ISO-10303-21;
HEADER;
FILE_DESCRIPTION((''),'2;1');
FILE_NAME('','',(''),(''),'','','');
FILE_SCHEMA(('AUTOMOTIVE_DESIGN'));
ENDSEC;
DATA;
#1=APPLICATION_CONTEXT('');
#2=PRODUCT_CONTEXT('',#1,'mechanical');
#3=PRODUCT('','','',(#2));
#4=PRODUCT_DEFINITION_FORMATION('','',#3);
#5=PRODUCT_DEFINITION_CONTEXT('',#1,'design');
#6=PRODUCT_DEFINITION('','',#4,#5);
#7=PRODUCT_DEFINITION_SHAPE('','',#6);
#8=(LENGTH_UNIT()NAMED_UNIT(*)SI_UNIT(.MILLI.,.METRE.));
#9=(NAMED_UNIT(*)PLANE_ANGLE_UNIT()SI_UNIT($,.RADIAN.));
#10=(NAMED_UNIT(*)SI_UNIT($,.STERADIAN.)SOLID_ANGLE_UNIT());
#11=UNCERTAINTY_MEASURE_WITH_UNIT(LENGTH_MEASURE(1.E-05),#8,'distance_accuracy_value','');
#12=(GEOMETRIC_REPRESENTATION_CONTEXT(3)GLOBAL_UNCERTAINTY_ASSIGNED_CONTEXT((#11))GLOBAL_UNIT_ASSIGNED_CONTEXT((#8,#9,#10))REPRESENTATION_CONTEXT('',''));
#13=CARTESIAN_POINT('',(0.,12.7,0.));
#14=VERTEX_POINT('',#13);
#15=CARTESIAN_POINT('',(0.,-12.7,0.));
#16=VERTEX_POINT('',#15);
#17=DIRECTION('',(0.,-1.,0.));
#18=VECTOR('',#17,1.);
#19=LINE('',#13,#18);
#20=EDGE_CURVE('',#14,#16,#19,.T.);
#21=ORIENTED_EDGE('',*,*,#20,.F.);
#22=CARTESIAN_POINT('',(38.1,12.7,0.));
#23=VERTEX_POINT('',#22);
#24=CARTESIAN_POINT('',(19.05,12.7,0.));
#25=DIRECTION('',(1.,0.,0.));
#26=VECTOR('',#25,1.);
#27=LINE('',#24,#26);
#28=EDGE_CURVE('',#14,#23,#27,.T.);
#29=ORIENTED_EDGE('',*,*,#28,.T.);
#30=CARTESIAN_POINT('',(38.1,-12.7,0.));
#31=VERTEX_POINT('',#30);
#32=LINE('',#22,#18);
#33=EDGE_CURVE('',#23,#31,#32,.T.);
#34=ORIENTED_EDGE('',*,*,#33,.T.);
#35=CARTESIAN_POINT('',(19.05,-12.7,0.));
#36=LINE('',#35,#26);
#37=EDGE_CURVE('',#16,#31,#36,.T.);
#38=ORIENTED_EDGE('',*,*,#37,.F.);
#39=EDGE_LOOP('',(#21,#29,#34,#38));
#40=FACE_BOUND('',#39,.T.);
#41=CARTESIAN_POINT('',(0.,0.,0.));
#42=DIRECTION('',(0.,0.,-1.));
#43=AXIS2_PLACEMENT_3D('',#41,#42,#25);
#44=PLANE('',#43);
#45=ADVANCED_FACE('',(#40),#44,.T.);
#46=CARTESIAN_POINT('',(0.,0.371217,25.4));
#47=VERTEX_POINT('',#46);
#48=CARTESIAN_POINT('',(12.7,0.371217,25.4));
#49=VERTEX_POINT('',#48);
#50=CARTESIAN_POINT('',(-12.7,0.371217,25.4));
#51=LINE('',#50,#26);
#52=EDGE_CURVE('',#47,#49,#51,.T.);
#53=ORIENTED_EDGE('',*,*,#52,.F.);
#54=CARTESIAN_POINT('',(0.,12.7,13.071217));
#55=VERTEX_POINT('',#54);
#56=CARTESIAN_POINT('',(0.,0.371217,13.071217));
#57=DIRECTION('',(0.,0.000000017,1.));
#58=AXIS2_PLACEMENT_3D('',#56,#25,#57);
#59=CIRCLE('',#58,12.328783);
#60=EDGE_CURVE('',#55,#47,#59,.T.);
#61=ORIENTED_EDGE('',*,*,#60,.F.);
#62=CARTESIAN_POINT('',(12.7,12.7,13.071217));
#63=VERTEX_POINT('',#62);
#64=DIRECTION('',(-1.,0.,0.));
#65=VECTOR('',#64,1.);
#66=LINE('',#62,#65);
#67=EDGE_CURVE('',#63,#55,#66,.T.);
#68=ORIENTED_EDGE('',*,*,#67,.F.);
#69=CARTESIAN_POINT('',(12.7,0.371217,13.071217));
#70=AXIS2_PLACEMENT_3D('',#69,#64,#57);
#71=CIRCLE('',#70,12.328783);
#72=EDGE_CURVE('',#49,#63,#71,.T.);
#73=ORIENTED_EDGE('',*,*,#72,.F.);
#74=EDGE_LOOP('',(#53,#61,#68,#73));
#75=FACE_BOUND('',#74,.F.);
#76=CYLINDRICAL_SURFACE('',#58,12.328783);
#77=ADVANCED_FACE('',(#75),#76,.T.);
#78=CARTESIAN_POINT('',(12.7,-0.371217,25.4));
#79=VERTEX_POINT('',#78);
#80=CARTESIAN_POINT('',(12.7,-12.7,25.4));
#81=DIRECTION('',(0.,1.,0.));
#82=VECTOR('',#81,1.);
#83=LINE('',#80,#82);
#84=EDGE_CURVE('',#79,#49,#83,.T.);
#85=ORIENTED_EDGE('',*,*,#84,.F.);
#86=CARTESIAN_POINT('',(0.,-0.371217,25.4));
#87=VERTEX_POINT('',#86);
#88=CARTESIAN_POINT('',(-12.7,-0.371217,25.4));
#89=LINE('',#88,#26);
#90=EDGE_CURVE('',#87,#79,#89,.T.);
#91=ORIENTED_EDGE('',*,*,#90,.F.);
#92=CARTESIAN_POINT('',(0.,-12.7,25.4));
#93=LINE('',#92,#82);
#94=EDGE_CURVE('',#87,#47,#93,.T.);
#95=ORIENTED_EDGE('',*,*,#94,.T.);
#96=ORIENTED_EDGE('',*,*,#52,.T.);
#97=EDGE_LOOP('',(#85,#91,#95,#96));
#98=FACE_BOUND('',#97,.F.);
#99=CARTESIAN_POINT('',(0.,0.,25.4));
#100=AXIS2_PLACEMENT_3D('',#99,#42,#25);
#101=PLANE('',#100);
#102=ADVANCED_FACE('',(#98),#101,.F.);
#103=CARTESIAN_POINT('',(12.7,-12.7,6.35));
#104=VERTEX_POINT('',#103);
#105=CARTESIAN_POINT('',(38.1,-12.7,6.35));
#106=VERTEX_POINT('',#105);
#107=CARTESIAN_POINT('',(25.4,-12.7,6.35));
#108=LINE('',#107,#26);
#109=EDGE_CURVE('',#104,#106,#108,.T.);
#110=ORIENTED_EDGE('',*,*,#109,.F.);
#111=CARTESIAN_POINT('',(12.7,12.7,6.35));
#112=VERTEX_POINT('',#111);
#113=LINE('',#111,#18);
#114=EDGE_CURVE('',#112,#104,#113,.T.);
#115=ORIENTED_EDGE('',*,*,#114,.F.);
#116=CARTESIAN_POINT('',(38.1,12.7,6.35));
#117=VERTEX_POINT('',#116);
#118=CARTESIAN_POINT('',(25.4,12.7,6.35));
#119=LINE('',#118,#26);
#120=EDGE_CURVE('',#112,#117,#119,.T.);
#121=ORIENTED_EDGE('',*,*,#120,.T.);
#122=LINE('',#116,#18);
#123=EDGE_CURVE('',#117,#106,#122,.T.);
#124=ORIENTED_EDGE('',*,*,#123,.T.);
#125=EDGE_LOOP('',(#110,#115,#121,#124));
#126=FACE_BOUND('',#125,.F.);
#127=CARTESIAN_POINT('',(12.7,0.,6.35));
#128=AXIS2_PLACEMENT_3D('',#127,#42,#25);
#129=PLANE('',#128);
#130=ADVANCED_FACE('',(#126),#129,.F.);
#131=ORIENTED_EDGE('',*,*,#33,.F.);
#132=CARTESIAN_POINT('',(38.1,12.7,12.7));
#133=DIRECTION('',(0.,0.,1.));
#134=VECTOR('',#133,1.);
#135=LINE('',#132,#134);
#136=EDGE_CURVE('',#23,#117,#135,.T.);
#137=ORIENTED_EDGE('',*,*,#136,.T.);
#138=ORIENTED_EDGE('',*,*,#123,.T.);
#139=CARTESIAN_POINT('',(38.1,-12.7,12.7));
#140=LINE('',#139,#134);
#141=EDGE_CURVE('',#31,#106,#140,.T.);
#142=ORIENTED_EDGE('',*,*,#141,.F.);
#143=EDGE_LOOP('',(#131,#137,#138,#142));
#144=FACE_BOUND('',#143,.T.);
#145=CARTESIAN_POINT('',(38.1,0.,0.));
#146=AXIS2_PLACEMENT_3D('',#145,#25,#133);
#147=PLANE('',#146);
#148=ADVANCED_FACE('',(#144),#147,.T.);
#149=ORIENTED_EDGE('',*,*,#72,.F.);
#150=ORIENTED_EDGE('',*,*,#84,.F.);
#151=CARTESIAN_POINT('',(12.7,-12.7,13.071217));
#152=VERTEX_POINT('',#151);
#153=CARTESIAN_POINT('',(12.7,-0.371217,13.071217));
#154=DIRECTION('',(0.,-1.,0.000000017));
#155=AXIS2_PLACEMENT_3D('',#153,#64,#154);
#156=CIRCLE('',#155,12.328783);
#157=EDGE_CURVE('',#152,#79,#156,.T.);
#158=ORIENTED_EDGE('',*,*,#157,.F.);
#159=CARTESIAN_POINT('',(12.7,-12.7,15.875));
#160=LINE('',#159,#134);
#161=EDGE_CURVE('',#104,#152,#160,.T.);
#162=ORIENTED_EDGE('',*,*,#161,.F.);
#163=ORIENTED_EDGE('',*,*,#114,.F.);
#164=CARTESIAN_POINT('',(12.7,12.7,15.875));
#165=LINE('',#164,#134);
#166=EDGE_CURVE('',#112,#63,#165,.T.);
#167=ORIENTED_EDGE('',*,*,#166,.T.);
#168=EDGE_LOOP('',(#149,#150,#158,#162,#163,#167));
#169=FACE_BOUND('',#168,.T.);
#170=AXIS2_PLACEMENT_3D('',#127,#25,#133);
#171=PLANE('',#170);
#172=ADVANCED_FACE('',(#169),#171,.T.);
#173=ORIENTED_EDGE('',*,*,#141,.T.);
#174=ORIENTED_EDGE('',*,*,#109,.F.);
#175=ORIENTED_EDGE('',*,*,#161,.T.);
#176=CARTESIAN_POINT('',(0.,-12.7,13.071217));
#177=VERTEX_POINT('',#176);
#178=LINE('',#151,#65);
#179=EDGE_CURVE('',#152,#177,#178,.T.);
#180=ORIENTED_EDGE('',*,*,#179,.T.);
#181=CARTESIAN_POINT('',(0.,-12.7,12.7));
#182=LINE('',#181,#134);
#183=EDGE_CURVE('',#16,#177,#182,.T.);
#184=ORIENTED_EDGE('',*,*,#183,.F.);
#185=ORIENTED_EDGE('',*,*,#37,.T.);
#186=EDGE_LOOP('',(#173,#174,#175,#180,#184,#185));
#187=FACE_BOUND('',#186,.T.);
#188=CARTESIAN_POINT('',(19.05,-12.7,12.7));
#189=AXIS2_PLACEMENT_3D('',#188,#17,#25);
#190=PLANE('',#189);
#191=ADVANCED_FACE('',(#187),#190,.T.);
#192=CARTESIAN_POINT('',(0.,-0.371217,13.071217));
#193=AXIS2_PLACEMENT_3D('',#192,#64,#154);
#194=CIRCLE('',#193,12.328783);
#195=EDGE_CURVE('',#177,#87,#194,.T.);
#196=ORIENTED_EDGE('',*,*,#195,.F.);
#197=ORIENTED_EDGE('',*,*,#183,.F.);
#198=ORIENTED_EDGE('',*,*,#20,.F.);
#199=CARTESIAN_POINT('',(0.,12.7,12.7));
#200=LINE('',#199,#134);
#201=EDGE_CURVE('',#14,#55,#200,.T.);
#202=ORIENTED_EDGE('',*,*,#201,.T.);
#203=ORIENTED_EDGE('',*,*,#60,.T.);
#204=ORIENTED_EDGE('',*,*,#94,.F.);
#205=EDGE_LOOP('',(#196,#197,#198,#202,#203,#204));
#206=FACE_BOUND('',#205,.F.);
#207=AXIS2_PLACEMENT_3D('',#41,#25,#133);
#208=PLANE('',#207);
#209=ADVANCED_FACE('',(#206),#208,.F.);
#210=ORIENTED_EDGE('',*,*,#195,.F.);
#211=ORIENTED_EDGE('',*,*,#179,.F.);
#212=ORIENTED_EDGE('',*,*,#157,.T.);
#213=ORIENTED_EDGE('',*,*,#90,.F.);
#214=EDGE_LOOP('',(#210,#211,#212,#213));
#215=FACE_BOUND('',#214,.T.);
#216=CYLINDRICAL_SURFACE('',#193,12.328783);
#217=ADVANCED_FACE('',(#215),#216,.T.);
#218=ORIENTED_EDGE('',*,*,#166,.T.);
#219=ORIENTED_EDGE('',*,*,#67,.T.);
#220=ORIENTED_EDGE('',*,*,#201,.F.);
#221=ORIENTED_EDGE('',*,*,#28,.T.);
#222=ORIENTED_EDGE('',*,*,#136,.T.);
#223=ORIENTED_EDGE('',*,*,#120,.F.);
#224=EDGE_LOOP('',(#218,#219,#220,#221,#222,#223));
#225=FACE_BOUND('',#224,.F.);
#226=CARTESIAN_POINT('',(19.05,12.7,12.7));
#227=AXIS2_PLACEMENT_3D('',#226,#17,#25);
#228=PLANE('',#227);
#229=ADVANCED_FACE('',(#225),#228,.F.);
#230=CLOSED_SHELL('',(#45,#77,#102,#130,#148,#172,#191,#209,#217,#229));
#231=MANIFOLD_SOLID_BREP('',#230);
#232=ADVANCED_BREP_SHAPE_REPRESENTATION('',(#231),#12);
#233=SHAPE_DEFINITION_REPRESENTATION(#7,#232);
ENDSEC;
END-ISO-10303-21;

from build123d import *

# Parameters (mm, degrees)
F0_W     = 38.1
F0_H     = 25.4
F1_DEPTH = 12.7
F2_W     = 25.4
F2_H     = 19.05
F3_DEPTH = 12.7
F5_DEPTH = 12.7


with BuildPart() as f1:
    # F0 (on Front) → F1 (new body, symmetric)
    with BuildSketch(Plane.XZ):
        with Locations((19.05, 12.7)):
            Rectangle(F0_W, F0_H)
    extrude(amount=F1_DEPTH, both=True)

    # F2 (on Front) → F3 (cut, symmetric)
    with BuildSketch(Plane.XZ):
        with Locations((25.4, 15.875)):
            Rectangle(F2_W, F2_H)
    extrude(amount=F3_DEPTH, both=True, mode=Mode.SUBTRACT)

    # F4 (on Right) → F5 (cut, symmetric)
    with BuildSketch(Plane.YZ):
        with BuildLine():
            ThreePointArc((-12.7, 13.071217), (-9.088983, 21.788983), (-0.371217, 25.4))
            Line((-0.371217, 25.4), (-12.7, 25.4))
            Line((-12.7, 25.4), (-12.7, 13.071217))
        make_face()
        with BuildLine():
            Line((12.7, 25.4), (0.371217, 25.4))
            ThreePointArc((0.371217, 25.4), (9.088983, 21.788983), (12.7, 13.071217))
            Line((12.7, 13.071217), (12.7, 25.4))
        make_face()
    extrude(amount=F5_DEPTH, both=True, mode=Mode.SUBTRACT)


solid = f1.part
